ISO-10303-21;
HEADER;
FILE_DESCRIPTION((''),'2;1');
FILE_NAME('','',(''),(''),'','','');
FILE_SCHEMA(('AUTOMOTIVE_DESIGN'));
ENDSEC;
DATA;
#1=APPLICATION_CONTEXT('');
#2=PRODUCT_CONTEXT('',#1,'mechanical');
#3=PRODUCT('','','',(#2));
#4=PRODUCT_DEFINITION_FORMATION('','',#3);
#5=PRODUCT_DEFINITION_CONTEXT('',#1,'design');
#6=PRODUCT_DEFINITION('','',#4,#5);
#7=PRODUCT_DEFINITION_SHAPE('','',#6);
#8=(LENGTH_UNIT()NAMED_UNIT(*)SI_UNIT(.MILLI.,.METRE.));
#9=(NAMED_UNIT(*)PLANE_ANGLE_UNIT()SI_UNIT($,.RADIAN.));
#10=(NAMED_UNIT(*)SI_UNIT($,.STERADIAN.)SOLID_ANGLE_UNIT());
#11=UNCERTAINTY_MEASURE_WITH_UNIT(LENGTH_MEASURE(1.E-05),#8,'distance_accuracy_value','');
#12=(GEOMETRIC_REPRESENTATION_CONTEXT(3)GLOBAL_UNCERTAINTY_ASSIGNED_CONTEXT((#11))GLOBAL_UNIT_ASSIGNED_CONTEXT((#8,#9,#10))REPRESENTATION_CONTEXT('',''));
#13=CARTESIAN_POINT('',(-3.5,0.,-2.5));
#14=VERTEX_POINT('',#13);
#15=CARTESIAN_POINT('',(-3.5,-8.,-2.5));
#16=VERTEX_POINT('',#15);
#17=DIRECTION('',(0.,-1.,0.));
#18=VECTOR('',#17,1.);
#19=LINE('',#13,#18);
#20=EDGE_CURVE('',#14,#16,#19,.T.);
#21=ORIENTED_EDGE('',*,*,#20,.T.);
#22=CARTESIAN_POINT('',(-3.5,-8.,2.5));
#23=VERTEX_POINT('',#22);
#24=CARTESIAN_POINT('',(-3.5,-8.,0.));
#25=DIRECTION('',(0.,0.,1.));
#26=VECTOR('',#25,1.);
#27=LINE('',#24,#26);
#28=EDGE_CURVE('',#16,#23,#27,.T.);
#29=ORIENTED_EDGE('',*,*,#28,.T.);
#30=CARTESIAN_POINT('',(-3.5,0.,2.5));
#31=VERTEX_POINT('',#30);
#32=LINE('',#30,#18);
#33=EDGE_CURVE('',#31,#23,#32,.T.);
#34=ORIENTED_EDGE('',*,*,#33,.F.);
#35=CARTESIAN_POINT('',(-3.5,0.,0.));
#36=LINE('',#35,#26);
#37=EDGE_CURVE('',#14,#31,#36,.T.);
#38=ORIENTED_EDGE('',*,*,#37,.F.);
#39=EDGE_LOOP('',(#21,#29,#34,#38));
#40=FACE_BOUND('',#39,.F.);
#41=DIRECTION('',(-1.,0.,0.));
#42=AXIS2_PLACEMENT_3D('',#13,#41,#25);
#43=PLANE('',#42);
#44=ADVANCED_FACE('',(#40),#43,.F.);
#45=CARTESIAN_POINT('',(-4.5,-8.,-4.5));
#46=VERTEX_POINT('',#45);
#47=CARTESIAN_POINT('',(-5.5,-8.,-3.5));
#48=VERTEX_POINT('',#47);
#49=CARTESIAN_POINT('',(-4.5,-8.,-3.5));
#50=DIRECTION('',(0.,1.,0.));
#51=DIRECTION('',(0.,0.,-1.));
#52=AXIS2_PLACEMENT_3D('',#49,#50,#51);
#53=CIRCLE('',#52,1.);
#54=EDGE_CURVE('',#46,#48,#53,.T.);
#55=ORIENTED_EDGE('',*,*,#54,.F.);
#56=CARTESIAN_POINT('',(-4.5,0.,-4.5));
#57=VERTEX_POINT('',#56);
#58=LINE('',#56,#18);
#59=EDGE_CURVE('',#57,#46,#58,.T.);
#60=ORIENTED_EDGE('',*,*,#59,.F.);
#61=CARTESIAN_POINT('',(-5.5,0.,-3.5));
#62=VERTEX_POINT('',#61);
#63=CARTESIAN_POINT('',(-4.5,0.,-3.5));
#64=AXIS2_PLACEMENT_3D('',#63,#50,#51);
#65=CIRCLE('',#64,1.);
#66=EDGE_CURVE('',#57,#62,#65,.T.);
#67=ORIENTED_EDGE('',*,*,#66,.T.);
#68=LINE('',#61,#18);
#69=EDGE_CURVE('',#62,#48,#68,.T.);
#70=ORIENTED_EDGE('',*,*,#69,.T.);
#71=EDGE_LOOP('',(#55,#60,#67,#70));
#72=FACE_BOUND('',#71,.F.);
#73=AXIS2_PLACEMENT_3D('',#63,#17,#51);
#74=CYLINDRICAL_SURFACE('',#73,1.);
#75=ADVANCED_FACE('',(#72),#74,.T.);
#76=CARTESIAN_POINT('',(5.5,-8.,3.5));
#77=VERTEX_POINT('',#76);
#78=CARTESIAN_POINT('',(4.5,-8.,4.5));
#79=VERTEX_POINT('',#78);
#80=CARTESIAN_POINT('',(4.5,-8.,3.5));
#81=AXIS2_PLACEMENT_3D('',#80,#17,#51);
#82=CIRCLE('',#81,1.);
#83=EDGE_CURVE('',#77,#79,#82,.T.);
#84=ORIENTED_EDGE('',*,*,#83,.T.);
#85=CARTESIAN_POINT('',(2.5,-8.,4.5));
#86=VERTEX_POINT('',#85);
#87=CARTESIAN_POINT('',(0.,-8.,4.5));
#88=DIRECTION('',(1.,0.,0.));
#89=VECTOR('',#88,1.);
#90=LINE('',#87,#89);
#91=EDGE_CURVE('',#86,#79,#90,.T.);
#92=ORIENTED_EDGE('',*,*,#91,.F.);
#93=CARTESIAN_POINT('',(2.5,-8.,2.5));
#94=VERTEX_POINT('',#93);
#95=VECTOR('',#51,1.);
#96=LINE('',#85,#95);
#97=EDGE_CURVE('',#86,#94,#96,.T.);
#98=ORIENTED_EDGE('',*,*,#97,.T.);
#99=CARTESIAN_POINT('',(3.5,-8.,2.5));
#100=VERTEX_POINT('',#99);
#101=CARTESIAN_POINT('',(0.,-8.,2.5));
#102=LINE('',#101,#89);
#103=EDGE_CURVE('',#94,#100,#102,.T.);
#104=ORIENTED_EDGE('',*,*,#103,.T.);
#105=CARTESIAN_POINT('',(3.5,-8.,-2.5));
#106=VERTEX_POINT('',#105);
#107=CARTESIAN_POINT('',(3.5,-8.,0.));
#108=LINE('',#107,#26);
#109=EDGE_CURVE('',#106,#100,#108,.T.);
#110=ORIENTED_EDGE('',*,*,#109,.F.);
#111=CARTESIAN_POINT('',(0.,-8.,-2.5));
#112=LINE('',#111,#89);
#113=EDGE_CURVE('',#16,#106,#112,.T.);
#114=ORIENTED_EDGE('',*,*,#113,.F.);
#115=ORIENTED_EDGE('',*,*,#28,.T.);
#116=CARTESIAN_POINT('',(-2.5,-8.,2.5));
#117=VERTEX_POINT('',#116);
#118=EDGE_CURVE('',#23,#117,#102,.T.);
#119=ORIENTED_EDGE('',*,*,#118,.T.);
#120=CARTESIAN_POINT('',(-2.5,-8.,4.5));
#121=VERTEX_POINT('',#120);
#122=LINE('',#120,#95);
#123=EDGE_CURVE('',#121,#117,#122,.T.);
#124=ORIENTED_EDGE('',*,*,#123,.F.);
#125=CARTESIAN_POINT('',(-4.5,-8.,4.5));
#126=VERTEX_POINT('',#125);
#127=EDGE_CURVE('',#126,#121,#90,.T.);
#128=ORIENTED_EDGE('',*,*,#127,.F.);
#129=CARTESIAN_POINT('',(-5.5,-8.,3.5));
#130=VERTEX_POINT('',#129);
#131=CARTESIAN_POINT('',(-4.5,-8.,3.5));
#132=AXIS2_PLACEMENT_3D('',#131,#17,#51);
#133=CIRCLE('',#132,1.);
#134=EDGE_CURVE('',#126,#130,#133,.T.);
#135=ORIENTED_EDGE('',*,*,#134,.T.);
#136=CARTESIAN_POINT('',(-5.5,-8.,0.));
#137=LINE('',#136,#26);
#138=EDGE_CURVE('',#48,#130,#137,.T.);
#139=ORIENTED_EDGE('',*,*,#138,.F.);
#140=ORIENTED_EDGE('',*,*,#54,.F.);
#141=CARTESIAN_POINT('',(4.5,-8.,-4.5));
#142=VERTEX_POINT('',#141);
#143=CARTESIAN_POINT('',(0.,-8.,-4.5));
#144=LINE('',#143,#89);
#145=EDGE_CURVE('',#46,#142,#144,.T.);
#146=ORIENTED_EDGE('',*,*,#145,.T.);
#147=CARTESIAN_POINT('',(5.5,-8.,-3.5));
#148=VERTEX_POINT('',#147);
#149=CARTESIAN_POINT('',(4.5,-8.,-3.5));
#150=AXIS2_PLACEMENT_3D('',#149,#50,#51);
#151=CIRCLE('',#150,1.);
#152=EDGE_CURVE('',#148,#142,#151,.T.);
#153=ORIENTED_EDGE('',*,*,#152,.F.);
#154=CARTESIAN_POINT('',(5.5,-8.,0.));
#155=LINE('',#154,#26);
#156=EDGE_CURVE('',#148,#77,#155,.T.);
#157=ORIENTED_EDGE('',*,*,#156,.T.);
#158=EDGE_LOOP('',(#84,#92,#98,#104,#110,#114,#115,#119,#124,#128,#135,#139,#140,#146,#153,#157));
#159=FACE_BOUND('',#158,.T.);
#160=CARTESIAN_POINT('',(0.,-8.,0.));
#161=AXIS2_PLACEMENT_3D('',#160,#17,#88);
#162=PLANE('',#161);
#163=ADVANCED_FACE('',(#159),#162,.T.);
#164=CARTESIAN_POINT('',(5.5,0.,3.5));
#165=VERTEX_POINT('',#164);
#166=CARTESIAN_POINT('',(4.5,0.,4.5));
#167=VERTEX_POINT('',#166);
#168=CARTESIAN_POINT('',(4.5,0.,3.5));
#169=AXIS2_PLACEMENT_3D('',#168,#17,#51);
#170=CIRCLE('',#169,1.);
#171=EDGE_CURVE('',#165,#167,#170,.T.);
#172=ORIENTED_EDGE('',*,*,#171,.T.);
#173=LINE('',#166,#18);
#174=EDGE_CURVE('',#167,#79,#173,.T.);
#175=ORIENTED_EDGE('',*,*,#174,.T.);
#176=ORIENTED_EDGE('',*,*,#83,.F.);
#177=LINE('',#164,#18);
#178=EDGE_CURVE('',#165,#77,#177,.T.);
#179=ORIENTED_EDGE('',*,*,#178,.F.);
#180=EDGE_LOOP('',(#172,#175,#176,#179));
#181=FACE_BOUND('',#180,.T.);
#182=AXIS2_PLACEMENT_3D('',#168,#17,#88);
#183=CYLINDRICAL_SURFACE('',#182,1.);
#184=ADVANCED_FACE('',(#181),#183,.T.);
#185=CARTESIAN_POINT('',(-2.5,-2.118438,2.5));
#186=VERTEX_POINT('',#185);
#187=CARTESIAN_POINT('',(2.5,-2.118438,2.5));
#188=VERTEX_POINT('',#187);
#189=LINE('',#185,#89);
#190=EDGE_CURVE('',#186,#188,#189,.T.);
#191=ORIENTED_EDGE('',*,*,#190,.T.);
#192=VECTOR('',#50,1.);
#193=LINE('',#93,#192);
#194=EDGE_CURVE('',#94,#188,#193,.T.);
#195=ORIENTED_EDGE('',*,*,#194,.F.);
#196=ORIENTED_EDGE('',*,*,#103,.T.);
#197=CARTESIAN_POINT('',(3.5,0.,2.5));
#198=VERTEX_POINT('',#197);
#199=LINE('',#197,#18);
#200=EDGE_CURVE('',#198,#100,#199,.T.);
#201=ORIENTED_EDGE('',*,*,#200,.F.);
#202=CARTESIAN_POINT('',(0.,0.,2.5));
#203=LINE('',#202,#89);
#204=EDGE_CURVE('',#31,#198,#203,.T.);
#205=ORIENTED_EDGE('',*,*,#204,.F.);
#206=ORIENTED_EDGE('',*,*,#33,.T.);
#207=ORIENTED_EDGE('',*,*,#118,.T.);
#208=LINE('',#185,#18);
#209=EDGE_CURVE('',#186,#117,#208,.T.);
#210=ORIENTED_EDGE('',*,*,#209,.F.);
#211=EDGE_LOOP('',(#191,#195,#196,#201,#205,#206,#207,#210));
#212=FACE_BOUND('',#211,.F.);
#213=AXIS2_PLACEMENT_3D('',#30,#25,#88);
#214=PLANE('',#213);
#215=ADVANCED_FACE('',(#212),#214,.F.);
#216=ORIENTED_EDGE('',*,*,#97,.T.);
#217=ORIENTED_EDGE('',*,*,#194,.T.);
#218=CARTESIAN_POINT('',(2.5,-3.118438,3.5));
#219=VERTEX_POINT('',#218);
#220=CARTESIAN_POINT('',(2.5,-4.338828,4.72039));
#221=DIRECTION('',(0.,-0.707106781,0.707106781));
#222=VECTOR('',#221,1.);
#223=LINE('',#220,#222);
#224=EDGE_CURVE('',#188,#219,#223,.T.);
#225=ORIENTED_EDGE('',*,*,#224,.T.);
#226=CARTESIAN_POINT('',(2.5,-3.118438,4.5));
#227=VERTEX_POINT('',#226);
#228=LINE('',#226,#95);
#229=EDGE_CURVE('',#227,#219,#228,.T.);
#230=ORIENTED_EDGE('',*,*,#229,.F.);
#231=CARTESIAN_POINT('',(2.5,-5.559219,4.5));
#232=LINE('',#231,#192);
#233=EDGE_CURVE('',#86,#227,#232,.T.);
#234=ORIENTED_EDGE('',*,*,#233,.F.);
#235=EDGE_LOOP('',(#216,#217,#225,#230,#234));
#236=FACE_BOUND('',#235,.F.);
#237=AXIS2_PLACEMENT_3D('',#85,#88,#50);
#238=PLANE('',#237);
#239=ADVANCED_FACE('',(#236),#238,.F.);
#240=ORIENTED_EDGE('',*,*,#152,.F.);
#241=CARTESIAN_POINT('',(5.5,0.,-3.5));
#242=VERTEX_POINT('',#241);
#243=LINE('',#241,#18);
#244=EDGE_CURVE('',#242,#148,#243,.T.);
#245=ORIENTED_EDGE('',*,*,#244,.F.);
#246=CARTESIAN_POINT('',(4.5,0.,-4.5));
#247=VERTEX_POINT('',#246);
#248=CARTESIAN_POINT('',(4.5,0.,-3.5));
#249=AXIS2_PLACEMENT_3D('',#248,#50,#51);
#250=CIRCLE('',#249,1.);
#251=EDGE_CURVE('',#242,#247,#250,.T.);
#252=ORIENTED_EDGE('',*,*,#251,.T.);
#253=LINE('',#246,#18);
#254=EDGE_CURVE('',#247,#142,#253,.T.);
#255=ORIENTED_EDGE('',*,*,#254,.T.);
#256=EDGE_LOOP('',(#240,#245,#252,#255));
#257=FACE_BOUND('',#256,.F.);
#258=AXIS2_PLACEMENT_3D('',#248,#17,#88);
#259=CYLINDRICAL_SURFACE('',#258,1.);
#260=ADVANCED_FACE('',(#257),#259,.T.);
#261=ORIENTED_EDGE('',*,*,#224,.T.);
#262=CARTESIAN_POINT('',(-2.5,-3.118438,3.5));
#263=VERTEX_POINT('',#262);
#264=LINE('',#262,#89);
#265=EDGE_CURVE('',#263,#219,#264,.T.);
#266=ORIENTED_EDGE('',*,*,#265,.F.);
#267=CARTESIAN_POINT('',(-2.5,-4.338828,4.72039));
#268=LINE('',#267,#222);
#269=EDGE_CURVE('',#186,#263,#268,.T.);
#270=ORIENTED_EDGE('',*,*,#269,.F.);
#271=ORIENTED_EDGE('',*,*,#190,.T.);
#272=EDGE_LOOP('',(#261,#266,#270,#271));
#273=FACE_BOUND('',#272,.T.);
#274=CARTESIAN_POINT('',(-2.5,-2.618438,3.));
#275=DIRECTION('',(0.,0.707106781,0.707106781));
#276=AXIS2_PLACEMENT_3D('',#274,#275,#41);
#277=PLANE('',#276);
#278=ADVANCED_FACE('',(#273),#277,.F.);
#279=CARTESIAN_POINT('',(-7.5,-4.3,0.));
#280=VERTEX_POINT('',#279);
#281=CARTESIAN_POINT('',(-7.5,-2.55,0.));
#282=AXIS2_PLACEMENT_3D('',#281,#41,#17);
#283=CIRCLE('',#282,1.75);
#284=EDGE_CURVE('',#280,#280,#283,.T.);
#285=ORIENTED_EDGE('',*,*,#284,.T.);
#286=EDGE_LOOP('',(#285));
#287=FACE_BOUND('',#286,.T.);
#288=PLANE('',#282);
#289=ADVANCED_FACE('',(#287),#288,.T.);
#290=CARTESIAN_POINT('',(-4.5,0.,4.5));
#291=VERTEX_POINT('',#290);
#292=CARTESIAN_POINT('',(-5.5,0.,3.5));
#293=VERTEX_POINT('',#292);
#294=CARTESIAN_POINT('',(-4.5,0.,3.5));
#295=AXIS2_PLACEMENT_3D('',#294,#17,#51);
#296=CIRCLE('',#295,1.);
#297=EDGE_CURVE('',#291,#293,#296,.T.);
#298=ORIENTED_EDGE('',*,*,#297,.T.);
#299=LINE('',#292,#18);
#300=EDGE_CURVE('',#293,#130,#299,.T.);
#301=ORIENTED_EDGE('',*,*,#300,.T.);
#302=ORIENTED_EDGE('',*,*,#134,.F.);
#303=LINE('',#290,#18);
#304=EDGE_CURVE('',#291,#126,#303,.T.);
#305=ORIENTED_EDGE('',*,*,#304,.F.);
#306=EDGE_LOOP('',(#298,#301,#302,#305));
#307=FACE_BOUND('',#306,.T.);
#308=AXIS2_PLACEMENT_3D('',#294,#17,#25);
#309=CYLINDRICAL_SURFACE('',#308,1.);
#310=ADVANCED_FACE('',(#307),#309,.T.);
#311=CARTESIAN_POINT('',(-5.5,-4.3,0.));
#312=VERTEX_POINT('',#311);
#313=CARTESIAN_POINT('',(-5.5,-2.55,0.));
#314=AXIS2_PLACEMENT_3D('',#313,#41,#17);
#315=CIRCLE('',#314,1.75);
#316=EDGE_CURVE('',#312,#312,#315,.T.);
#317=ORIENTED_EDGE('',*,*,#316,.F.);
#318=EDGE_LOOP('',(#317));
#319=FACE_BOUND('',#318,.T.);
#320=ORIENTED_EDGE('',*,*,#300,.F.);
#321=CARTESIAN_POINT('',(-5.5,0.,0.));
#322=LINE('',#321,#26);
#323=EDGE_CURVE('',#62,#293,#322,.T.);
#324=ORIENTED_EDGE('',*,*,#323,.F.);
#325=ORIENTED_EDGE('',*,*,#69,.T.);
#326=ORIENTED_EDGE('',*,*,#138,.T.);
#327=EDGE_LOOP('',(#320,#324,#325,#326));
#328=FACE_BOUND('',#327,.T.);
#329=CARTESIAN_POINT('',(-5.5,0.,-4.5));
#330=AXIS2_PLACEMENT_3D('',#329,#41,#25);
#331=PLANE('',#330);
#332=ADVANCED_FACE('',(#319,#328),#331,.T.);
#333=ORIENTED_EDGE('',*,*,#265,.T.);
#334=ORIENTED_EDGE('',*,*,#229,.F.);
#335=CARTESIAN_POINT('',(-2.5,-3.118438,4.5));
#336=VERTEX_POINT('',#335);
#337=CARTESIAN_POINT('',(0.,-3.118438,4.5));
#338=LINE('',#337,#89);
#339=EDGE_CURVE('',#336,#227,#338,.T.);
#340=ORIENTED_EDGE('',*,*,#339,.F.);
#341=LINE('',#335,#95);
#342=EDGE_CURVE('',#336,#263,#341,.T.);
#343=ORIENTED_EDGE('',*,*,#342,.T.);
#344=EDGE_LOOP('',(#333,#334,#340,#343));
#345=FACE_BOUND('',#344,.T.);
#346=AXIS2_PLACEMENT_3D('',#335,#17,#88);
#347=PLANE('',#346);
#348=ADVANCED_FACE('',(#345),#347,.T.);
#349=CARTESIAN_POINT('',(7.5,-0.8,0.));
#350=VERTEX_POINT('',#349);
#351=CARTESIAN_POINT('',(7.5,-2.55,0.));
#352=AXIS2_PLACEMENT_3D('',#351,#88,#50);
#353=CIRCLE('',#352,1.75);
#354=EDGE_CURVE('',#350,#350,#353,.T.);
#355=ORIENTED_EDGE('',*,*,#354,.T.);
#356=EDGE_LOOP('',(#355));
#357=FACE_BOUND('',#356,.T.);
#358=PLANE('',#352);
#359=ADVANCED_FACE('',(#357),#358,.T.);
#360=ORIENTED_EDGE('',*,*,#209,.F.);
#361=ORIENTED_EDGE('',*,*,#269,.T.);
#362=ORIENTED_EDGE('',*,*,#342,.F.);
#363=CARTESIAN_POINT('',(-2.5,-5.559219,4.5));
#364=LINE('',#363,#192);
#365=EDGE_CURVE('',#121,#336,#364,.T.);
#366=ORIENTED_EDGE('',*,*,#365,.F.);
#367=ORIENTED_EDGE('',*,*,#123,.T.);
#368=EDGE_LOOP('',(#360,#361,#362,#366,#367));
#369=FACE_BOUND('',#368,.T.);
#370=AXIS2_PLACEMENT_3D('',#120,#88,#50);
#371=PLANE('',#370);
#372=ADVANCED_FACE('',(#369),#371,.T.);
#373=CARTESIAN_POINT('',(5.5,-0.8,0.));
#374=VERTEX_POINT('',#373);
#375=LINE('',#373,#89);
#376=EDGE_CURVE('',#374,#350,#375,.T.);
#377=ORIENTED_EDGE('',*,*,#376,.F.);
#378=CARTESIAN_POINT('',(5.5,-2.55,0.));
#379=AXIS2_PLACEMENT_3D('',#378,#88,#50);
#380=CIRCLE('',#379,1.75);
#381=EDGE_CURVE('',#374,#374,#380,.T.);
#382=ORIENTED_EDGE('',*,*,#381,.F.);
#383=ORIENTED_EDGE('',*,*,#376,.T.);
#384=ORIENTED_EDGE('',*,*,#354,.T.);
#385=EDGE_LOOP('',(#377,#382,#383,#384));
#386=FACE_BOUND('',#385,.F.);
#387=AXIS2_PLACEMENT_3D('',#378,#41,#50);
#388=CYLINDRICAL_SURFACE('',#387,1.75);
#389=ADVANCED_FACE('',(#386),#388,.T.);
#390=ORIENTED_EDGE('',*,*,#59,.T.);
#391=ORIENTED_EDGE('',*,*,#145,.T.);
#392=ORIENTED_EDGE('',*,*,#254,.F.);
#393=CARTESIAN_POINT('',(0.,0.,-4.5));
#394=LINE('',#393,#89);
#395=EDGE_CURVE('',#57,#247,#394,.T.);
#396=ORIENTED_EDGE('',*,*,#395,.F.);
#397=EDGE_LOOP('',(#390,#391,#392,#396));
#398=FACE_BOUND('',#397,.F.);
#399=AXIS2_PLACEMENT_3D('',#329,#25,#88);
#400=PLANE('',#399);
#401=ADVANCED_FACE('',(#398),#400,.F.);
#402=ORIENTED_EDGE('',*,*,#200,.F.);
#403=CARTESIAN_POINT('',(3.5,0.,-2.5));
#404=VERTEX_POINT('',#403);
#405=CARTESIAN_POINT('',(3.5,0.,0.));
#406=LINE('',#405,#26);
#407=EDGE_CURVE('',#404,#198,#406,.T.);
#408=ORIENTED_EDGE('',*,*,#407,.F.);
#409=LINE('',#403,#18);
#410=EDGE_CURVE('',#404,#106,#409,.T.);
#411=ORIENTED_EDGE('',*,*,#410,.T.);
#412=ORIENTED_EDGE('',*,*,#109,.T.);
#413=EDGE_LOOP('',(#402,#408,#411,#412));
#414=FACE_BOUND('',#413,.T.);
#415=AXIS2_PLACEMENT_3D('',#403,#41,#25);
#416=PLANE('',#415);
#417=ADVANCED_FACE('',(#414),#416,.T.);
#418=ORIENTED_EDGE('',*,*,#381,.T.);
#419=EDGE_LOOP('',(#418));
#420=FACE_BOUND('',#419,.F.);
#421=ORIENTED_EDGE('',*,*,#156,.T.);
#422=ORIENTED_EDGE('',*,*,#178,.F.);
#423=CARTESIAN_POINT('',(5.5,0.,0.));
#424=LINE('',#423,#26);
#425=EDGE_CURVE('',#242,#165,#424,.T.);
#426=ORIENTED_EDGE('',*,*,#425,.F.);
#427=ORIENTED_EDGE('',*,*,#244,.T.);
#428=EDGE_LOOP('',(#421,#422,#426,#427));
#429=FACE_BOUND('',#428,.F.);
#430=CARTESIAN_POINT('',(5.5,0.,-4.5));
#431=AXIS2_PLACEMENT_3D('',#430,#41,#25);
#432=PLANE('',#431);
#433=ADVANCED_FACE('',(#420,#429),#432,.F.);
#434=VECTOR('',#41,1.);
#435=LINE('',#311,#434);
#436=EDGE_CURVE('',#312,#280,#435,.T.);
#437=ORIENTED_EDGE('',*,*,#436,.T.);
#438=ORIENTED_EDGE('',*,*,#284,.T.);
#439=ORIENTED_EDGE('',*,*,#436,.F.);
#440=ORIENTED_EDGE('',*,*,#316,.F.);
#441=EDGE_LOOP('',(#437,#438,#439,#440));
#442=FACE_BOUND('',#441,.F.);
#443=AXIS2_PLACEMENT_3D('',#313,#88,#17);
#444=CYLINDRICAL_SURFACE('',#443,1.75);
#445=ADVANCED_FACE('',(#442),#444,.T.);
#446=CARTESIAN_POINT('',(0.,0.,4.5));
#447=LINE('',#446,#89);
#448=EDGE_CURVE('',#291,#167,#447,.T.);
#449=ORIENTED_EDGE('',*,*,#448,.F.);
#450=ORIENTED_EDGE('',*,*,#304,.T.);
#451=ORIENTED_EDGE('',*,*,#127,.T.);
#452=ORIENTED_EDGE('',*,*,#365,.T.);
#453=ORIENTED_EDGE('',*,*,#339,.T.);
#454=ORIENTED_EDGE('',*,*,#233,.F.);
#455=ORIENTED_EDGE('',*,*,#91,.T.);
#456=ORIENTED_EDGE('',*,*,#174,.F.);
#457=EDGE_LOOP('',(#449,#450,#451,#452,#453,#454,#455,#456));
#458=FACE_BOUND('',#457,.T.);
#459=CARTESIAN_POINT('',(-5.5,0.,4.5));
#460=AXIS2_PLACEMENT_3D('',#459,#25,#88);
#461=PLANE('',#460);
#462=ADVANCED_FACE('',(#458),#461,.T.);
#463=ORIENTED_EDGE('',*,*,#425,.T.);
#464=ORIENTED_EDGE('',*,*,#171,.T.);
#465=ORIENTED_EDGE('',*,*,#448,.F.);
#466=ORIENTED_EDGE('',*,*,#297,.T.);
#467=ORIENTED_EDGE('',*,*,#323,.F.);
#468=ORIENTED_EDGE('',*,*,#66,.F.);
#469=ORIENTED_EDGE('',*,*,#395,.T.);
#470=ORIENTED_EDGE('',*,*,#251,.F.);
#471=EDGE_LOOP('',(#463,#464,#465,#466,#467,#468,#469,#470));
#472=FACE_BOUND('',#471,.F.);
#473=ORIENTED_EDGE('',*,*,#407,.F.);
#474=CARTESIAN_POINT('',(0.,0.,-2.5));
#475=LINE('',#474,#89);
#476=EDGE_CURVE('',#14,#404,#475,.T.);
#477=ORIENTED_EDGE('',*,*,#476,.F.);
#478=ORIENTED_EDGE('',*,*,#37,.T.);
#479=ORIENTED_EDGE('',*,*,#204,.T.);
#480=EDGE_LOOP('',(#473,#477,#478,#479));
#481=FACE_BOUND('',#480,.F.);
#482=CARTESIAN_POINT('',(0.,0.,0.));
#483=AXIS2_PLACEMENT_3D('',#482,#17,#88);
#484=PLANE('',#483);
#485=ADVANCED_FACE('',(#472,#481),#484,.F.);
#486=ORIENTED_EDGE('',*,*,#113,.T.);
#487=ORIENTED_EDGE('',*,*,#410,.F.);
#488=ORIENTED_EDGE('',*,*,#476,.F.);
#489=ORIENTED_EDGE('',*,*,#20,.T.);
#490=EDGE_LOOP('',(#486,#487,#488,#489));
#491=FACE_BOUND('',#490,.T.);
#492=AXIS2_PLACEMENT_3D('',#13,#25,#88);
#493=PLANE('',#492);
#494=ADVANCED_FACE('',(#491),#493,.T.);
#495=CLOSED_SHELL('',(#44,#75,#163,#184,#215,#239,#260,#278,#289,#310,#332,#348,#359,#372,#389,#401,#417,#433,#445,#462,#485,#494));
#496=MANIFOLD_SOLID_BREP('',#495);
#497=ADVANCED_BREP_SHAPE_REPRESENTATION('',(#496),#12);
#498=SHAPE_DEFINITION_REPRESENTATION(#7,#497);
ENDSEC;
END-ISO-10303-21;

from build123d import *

# Parameters (mm, degrees)
F0_W     = 11
F0_H     = 9
F0_W_2   = 7
F0_H_2   = 5
F1_DEPTH = 8
F2_W     = 5
F2_H     = 4.881562
F3_DEPTH = 5
F4_R     = 1.75
F5_DEPTH = 2
F6_R     = 1.75
F7_DEPTH = 2
F8_SIZE  = 1
F9_R     = 1


with BuildPart() as f1:
    # F0 (on Front) → F1 (new body)
    with BuildSketch(Plane.XZ):
        Rectangle(F0_W, F0_H)
        Rectangle(F0_W_2, F0_H_2, mode=Mode.SUBTRACT)
    extrude(amount=F1_DEPTH)

    # F2 (on face) → F3 (cut)
    with BuildSketch(Plane.XY.offset(4.5)):
        with Locations((0, -5.559219)):
            Rectangle(F2_W, F2_H)
    extrude(amount=-F3_DEPTH, mode=Mode.SUBTRACT)

    # F4 (on face) → F5 (join)
    with BuildSketch(Plane(origin=(-5.5, 0, 0), x_dir=(0, -1, 0), z_dir=(-1, 0, 0))):
        with Locations((2.55, 0)):
            Circle(F4_R)
    extrude(amount=F5_DEPTH)

    # F6 (on face) → F7 (join)
    with BuildSketch(Plane.YZ.offset(5.5)):
        with Locations((-2.55, 0)):
            Circle(F6_R)
    extrude(amount=F7_DEPTH)

    # F8
    f8_edges = [f1.edges().sort_by_distance(p)[0] for p in [
        (0, -3.118438, 2.5),
    ]]
    chamfer(f8_edges, length=F8_SIZE)

    # F9
    f9_edges = [f1.edges().sort_by_distance(p)[0] for p in [
        (5.5, -4, 4.5),
        (-5.5, -4, 4.5),
        (5.5, -4, -4.5),
        (-5.5, -4, -4.5),
    ]]
    fillet(f9_edges, radius=F9_R)


solid = f1.part
